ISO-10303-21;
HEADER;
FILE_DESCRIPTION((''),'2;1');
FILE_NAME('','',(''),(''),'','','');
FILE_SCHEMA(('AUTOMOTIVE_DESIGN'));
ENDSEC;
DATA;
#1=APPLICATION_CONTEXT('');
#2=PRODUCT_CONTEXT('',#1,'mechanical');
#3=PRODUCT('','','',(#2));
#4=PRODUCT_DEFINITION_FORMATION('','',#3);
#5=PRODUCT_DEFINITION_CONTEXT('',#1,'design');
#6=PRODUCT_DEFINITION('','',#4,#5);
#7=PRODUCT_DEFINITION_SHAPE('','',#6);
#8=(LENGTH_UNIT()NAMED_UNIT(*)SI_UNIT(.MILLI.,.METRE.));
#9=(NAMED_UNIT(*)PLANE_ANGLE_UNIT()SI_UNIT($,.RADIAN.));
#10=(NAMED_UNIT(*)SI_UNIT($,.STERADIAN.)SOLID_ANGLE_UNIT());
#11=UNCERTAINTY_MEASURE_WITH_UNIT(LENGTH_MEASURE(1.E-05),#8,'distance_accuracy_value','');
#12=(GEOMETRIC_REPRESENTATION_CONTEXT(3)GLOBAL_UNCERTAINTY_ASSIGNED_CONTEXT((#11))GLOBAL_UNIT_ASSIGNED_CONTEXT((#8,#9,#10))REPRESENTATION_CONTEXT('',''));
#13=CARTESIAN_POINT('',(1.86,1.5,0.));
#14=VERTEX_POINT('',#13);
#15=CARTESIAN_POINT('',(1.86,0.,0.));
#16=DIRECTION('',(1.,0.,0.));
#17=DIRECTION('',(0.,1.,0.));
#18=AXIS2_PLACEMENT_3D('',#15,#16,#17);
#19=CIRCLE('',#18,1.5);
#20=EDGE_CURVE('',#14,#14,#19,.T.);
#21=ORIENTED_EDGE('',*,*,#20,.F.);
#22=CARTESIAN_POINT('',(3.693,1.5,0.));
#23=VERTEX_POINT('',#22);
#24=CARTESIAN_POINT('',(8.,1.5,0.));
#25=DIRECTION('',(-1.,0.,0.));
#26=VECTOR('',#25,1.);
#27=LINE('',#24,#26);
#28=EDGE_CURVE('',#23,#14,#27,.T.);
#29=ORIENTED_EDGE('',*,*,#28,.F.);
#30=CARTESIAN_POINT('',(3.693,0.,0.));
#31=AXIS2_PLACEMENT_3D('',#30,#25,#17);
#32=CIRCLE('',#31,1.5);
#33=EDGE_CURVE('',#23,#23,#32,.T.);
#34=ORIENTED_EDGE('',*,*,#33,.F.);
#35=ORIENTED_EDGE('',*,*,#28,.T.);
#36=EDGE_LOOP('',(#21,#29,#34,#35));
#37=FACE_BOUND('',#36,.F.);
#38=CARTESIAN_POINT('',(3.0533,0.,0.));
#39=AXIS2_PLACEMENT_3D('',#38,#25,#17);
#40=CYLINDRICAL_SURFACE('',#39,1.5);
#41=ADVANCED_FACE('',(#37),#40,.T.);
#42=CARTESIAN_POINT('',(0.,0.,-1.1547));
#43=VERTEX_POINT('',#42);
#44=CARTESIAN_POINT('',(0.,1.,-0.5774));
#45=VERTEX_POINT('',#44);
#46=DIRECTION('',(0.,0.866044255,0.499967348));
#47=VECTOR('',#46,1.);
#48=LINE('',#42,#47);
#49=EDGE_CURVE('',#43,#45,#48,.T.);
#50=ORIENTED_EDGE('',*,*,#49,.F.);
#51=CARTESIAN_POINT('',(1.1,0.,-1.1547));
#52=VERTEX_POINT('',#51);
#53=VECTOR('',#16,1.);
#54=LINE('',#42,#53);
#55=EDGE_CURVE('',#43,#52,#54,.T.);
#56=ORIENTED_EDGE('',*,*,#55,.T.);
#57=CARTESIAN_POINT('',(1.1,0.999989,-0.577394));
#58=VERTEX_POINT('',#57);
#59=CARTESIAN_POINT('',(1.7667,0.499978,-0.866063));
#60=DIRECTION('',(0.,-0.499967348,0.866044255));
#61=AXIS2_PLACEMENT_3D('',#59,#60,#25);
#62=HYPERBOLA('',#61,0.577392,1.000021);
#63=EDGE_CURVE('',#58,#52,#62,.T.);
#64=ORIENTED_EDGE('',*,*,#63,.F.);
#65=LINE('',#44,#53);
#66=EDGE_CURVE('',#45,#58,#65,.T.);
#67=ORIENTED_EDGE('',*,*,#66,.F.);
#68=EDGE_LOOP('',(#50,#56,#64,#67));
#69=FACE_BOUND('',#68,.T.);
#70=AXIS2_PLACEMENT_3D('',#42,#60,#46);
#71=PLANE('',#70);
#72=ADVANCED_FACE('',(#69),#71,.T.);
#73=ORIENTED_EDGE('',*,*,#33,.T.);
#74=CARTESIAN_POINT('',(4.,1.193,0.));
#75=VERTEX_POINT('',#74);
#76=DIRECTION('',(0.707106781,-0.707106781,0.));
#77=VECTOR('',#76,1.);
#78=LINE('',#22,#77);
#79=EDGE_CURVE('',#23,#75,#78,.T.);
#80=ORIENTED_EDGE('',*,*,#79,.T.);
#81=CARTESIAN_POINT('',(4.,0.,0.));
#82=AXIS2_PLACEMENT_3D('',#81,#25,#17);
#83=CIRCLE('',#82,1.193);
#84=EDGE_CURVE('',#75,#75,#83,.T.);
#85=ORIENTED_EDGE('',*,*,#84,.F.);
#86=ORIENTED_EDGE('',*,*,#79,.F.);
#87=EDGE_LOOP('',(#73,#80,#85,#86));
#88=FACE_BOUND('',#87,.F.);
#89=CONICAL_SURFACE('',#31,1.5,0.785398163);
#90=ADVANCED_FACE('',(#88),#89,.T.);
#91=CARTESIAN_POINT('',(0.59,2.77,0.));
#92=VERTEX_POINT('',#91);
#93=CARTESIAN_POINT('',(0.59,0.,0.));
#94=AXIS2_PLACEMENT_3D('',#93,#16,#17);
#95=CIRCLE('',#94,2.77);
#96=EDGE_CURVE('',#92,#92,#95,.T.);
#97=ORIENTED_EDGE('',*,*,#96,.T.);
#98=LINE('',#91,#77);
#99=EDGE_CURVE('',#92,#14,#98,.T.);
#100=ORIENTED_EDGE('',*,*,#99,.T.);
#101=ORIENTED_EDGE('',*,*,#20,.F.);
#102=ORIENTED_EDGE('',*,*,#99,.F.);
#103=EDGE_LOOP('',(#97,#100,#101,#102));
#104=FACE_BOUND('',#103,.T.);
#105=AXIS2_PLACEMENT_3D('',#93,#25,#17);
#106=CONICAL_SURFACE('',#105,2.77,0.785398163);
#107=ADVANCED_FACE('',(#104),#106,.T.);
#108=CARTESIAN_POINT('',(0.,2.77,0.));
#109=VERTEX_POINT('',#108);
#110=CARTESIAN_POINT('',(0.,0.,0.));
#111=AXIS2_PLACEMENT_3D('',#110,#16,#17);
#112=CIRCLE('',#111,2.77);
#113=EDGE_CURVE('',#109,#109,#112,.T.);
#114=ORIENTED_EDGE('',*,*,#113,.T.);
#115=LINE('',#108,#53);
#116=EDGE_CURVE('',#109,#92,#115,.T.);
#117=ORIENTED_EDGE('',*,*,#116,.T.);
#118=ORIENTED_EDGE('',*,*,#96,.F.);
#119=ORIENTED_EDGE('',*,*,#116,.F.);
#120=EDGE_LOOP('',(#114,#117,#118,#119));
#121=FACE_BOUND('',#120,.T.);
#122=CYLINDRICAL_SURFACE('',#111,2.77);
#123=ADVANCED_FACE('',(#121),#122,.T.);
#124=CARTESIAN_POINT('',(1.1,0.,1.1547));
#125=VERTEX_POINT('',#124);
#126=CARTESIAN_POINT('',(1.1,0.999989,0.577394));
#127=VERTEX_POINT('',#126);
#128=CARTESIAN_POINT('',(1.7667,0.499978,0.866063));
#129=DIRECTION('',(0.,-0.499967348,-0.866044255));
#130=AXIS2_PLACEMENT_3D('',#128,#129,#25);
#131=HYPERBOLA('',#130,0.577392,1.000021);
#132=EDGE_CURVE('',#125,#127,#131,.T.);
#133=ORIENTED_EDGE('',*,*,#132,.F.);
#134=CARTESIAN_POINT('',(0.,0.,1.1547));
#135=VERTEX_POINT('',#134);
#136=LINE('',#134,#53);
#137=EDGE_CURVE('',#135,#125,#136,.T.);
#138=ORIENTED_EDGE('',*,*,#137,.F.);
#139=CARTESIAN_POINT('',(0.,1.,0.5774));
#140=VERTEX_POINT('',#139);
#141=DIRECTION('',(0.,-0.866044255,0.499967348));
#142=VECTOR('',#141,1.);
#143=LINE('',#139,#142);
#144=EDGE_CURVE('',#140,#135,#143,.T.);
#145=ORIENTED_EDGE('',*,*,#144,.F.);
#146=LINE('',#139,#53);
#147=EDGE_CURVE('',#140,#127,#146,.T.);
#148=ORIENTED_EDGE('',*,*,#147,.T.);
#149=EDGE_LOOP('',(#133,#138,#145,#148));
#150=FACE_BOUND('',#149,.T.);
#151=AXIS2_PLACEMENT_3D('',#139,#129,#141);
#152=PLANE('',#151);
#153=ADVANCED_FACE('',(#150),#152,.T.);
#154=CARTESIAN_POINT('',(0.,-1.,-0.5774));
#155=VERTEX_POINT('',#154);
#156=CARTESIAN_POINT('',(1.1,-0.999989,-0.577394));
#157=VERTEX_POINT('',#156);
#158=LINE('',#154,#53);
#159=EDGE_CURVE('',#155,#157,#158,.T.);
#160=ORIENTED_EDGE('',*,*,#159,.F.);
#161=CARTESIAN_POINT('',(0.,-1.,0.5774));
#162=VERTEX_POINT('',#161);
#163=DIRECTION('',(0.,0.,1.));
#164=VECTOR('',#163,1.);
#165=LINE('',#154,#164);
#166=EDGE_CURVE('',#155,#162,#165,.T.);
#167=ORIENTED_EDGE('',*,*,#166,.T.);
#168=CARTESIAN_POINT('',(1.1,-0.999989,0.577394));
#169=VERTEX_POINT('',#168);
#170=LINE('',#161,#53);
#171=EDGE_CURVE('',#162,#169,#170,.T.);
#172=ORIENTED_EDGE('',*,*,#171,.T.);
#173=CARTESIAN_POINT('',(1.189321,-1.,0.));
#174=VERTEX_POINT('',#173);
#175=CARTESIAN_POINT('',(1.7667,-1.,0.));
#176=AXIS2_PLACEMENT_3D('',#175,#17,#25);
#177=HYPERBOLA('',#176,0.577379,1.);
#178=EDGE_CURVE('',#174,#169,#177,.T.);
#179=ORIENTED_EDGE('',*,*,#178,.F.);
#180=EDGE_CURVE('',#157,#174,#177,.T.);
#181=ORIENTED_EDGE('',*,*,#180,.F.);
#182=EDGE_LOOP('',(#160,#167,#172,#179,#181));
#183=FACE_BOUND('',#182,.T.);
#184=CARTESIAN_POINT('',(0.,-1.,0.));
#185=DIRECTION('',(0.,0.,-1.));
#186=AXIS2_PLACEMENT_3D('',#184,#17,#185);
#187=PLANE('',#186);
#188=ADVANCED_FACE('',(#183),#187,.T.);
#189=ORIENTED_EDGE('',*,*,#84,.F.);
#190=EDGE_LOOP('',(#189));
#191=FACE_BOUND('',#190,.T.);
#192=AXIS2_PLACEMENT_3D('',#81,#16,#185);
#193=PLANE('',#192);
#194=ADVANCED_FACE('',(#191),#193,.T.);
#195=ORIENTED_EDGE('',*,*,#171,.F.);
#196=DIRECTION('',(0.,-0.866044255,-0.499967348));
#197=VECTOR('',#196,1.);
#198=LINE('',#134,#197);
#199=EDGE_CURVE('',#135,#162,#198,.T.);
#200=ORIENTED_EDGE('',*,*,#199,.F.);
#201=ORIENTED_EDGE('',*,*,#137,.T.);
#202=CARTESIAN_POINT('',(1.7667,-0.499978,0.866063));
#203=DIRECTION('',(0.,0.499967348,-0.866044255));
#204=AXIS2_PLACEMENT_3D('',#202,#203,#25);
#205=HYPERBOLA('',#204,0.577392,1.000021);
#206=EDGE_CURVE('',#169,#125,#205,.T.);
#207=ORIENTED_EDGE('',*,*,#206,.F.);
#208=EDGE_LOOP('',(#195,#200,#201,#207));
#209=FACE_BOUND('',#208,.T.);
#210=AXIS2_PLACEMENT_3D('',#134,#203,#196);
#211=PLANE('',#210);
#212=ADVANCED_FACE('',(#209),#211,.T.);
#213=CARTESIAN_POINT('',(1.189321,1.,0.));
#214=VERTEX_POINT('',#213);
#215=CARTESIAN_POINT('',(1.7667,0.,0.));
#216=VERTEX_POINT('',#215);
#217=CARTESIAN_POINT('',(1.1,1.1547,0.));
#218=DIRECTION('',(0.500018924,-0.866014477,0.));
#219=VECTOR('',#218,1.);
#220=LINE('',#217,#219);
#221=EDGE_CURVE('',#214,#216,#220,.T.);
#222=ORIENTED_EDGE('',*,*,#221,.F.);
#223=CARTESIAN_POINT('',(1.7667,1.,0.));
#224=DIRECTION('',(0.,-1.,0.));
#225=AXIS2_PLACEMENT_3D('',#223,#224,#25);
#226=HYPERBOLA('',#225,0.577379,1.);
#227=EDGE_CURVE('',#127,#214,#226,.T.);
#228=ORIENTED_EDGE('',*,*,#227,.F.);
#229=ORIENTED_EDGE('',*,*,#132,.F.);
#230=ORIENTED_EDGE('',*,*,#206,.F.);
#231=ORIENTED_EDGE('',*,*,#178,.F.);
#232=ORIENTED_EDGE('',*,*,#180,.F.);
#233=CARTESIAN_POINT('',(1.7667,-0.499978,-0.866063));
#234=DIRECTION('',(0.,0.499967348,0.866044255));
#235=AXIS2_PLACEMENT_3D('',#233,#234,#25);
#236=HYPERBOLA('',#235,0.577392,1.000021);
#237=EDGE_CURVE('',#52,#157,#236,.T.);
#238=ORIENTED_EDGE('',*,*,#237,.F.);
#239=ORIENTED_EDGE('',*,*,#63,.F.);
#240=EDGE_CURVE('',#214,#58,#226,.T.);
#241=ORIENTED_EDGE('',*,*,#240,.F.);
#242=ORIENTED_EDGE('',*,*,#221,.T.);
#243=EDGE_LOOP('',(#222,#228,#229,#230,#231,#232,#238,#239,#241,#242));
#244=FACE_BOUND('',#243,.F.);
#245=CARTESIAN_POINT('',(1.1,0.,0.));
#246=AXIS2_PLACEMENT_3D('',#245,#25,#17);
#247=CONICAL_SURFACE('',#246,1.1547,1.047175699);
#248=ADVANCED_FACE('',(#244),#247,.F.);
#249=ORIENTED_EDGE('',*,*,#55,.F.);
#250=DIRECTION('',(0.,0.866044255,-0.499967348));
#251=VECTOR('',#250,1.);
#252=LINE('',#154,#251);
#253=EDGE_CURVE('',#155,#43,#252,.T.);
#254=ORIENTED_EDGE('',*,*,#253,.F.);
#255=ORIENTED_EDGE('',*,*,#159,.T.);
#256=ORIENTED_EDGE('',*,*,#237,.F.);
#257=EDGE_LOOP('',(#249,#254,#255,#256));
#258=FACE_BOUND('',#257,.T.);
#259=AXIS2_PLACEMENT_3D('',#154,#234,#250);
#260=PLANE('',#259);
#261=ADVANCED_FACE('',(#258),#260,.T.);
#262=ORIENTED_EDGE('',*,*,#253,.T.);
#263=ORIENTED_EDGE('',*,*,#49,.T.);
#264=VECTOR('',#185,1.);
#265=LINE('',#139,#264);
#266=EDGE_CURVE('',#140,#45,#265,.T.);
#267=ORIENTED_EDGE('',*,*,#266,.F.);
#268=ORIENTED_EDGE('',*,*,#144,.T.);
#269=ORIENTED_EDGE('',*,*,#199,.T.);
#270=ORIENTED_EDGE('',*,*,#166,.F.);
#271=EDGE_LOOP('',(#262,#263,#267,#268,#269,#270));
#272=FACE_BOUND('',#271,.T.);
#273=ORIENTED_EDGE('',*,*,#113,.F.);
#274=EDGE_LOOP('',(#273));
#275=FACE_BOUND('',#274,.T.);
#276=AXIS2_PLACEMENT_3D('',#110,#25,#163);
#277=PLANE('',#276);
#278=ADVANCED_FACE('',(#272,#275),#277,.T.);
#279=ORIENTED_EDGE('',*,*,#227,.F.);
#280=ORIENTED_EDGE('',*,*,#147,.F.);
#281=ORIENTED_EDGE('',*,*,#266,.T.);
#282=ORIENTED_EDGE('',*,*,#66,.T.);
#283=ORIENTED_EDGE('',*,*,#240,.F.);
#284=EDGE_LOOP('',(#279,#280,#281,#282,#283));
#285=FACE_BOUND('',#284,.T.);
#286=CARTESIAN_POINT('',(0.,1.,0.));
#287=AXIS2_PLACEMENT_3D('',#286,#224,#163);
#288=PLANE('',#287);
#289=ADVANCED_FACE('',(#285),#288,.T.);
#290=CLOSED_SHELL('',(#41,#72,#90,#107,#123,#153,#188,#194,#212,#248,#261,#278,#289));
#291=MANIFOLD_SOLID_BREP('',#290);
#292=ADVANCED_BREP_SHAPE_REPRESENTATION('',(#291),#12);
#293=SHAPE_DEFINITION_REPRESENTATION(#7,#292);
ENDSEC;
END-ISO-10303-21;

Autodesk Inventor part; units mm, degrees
ref_plane "YZ Plane" through (0, 0, 0) normal (1, 0, 0) x (0, 1, 0)
ref_plane "XZ Plane" through (0, 0, 0) normal (0, 1, 0) x (-1, 0, 0)
sketch "Skizze1" plane through (0, 0, 0) normal (0, 0, 1) x (1, 0, 0)
  line L0 (8, 0) -> (8, 1.5)
  line L1 (8, 1.5) -> (3.36, 1.5)
  line L2 (3.36, 1.5) -> (3.0533, 1.5)
  line L3 (0, 2.77) -> (0, 1.1547)
  line L4 (0, 1.1547) -> (1.1, 1.1547)
  line L5 (1.1, 1.1547) -> (1.7667, 0)
  line L6 (1.7667, 0) -> (8, 0)
  line L7 (0, 2.77) -> (0.59, 2.77)
  line L8 (0.59, 2.77) -> (1.86, 1.5)
  line L9 (3.0533, 1.5) -> (1.86, 1.5)
  line L10 (3.36, 1.5) -> (1.86, 1.5) construction
  line L11 (1.86, 1.5) -> (1.86, 1.5)
  line L12 (-1.6, 0) -> (9.6, 0) projected
  line L13 (0, -0.554) -> (0, 3.324) projected
  dimension "d0" = 8
  dimension "d1" = 4.64
  dimension "d2" = 1.1
  dimension "d3" = 3
  dimension "d6" = 1.86
  dimension "d7" = 45
  dimension "d8" = 2.3094
  dimension "d9" = 60
  dimension "d10" = 5.54
  dimension "d11" = 3
  dimension "d12" = 0.3067
revolve "Körper" add sketch "Skizze1" angle 360 about axis through (1.7667, 0, 0) along (1, 0, 0) contours L6 L5 L4 L3 L7 L8 L9 L2 L1 L0
sketch "Skizze2" plane through (0, 0, 0) normal (-1, 0, 0) x (0, 0, 1)
  circle A0 centre (0, 0) radius 1.1547 projected
  line L0 (0, -3.878) -> (0, 3.878) projected
  line L1 (-3.878, 0) -> (3.878, 0) projected
  line L2 (1.1547, 0) -> (0.5774, -1)
  line L3 (0.5774, -1) -> (-0.5774, -1)
  line L4 (-0.5774, -1) -> (-1.1547, 0)
  line L5 (-1.1547, 0) -> (-0.5774, 1)
  line L6 (-0.5774, 1) -> (0.5774, 1)
  line L7 (0.5774, 1) -> (1.1547, 0)
  point P0 (0, 1.1547)
extrude "Loch" add sketch "Skizze2" against normal up to next contours L7 A0 | A0 L2 | L6 L0 A0 | A0 L0 L3 | L0 L6 A0 | A0 L3 L0 | L4 A0 | A0 L5
thread "Gewinde" size "M3x0.5" class "6g" standard "ISO Metric profile" full length
ref_plane "Work Plane1" through (104.775, 0, 0) normal (0, 0, -1) x (1, 0, 0)
chamfer "Fase1" distance 0.3067 distance2 0.3067 1 edges at (8, -1.5, 0) measured on face at (8, -0.8298, -0.2045)
sketch "Skizze4" plane through (8, 0, 0) normal (1, 0, 0) x (0, 0, -1)
  circle A0 centre (0, 0) radius 1.5
extrude "Extrusion3" cut sketch "Skizze4" against normal blind 4
chamfer "Fasen3" distance 0.307 angle 45 1 edges at (4, -1.5, 0)
equation "\"d17\" = -0.5 * SPD + 0.5 * GD"
equation "\"d18\" = GUL"
equation "\"d0\" = NLG"
equation "\"d1\" = GEL"
equation "\"d2\" = INTI"
equation "\"d3\" = GD"
equation "\"d6\" = KOH"
equation "\"d7\" = 0.5 * SEWI"
equation "\"d8\" = 1.1547 * SW"
equation "\"d10\" = KOD"
equation "\"d11\" = BDM"
equation "\"d12\" = GAL"
equation "\"NLG\" = 8"
equation "\"INTI\" = 1.1"
equation "\"GEL\" = 4.64"
equation "\"GAL\" = 0.61345 * PTC"
equation "\"KOH\" = 1.86"
equation "\"KOD\" = 5.54"
equation "\"GUL\" = 0.61345 * PTC"
equation "\"SPD\" = NND - 1.2269 * PTC"
equation "\"BDM\" = NND"
equation "\"GD\" = NND"
equation "\"SEWI\" = 90deg"
equation "\"SW\" = 2"
equation "\"TOA\" = 30deg"
equation "\"GD1\" = THREADDIA - 1.2269 * PTC"
equation "\"EPV\" = 3.36"
equation "\"THREADDIA\" = 3"
equation "\"PTC\" = 0.5"
equation "\"NND\" = 3"
equation "\"E0\" = 2.31"
properties part number "ISO 10642  - M3  x  8" material "Stahl"
